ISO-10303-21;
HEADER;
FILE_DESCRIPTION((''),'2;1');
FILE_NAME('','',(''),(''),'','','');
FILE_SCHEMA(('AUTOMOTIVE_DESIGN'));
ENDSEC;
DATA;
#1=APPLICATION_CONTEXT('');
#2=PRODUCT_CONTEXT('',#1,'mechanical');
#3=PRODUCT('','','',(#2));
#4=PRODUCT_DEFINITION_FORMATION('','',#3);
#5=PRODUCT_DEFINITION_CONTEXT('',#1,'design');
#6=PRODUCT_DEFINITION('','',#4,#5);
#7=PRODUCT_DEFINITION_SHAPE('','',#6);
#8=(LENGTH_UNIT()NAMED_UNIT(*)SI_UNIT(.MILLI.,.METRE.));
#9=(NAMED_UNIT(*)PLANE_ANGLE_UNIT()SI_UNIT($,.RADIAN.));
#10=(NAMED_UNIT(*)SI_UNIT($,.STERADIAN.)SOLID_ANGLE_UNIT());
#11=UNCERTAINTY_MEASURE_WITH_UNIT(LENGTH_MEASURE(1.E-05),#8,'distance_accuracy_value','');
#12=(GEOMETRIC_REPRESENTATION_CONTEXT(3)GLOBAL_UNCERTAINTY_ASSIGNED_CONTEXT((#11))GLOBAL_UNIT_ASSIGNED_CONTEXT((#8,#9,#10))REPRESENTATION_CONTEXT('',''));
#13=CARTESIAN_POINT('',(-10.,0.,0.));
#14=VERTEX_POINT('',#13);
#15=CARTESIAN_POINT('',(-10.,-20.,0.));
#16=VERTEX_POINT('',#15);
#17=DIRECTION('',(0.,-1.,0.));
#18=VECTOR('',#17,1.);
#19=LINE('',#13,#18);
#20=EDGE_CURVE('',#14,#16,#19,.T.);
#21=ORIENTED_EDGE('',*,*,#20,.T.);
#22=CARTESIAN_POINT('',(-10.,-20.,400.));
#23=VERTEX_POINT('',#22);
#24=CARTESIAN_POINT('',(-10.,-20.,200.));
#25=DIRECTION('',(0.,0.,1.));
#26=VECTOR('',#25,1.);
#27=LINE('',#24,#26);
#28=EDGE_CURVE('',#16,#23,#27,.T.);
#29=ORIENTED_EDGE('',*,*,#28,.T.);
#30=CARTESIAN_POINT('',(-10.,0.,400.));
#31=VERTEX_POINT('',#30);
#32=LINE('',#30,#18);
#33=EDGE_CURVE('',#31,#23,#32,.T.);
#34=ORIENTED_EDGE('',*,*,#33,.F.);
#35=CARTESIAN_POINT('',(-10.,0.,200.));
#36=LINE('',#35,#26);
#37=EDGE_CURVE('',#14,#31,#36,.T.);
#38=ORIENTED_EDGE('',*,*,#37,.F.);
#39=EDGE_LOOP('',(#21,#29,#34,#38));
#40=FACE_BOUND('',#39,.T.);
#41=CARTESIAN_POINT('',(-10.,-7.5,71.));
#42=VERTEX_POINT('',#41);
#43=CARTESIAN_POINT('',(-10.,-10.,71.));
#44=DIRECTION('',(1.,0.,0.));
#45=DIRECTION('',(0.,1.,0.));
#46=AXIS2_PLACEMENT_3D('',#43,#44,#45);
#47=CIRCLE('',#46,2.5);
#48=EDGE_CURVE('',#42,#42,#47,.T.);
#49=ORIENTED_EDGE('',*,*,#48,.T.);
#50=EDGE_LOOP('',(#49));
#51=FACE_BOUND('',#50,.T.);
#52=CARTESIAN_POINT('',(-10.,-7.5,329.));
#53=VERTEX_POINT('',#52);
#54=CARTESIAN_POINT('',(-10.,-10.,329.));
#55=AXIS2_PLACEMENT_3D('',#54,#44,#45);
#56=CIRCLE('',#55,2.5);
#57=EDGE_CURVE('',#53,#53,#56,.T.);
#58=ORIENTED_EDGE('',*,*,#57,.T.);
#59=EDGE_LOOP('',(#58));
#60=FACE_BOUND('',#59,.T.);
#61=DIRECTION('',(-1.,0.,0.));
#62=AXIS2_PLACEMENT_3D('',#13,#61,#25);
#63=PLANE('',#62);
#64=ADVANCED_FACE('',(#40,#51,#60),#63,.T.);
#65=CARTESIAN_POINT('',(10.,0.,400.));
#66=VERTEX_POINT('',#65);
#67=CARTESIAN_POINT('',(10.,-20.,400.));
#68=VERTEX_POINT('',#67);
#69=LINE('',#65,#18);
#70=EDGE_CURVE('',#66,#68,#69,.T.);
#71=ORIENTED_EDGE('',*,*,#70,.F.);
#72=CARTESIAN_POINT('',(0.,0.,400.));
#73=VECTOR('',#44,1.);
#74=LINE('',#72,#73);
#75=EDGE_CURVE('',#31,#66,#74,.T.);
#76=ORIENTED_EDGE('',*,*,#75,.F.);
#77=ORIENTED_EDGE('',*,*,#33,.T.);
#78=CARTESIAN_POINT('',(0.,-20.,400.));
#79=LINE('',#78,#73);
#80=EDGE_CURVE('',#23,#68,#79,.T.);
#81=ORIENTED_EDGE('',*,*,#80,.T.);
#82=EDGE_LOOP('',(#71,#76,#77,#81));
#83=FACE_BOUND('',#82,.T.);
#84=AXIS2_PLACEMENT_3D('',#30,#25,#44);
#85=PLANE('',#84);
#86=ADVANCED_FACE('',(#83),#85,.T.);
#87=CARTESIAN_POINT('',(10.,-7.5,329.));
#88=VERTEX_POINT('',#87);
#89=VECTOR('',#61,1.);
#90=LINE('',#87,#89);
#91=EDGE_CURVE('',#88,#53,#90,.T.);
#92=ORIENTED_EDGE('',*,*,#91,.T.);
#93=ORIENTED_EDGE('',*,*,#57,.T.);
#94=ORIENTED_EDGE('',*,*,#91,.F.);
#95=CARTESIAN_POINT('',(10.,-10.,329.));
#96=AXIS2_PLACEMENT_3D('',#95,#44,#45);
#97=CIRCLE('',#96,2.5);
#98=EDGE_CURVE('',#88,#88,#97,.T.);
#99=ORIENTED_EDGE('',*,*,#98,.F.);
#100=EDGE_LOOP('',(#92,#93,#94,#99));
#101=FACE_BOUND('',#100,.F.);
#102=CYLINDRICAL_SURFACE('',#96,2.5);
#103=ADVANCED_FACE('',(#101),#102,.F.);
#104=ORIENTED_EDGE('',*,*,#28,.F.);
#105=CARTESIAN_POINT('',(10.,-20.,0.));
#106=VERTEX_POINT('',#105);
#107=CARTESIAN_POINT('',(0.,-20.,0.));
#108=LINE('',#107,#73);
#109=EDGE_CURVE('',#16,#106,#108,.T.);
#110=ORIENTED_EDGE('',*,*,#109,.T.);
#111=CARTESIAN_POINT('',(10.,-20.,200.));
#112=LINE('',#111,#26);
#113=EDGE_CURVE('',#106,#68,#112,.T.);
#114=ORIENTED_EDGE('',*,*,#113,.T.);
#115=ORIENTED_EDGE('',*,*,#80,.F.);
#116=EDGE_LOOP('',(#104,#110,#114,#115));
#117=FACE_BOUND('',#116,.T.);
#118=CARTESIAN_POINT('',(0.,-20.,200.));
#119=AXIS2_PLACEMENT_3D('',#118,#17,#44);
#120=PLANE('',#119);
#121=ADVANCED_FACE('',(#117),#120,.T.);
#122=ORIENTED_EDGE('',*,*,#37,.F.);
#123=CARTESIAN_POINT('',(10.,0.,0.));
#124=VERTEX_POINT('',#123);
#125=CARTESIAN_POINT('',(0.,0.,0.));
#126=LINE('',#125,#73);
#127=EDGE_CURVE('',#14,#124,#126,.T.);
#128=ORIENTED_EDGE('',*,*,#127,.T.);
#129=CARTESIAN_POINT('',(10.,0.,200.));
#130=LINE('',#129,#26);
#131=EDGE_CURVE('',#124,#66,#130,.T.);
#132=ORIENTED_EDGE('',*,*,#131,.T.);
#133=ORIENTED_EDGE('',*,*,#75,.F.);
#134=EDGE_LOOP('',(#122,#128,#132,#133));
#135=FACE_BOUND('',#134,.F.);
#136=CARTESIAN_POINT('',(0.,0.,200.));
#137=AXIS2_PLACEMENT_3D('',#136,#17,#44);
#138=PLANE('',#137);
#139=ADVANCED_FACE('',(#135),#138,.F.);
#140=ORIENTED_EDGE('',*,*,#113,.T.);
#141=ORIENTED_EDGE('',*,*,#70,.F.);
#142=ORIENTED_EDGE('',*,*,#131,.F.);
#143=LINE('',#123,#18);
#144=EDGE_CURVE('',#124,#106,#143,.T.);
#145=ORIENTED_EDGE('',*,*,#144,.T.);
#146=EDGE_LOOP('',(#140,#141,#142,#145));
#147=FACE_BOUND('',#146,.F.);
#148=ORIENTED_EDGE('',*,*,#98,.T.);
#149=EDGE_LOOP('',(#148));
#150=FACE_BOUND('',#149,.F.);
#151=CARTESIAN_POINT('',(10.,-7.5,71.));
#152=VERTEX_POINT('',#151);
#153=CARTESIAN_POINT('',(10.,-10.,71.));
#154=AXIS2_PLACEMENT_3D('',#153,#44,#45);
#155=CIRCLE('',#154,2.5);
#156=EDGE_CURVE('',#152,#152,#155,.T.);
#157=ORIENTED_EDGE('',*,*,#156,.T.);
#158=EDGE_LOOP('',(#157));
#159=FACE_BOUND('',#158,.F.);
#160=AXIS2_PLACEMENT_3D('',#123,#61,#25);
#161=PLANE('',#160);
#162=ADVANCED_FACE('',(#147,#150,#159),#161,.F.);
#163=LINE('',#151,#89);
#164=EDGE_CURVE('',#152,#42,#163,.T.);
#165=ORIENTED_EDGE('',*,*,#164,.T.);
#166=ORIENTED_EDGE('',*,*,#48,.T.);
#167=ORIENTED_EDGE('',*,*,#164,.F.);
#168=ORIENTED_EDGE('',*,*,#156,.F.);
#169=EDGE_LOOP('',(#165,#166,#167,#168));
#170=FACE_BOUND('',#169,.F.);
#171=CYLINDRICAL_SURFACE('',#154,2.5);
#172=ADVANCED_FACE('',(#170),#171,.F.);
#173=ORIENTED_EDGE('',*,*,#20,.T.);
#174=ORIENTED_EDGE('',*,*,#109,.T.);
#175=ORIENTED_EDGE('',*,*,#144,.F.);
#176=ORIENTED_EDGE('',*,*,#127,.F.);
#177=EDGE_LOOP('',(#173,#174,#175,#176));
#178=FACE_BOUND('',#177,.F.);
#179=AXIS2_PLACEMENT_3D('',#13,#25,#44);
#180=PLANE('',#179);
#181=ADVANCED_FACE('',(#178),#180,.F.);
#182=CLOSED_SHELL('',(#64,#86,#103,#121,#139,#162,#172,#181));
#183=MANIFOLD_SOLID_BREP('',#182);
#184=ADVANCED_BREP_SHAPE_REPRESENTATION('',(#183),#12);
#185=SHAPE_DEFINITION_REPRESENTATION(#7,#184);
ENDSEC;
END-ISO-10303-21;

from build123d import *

# Parameters (mm, degrees)
F0_W     = 20
F0_H     = 400
F1_DEPTH = 20
F2_R     = 2.5
F3_DEPTH = 25


with BuildPart() as f1:
    # F0 (on Front) → F1 (new body)
    with BuildSketch(Plane.XZ):
        with Locations((0, 200)):
            Rectangle(F0_W, F0_H)
    extrude(amount=F1_DEPTH)

    # F2 (on face) → F3 (cut)
    with BuildSketch(Plane.YZ.offset(10)):
        with Locations((-10, 71)):
            Circle(F2_R)
        with Locations((-10, 329)):
            Circle(F2_R)
    extrude(amount=-F3_DEPTH, mode=Mode.SUBTRACT)


solid = f1.part
